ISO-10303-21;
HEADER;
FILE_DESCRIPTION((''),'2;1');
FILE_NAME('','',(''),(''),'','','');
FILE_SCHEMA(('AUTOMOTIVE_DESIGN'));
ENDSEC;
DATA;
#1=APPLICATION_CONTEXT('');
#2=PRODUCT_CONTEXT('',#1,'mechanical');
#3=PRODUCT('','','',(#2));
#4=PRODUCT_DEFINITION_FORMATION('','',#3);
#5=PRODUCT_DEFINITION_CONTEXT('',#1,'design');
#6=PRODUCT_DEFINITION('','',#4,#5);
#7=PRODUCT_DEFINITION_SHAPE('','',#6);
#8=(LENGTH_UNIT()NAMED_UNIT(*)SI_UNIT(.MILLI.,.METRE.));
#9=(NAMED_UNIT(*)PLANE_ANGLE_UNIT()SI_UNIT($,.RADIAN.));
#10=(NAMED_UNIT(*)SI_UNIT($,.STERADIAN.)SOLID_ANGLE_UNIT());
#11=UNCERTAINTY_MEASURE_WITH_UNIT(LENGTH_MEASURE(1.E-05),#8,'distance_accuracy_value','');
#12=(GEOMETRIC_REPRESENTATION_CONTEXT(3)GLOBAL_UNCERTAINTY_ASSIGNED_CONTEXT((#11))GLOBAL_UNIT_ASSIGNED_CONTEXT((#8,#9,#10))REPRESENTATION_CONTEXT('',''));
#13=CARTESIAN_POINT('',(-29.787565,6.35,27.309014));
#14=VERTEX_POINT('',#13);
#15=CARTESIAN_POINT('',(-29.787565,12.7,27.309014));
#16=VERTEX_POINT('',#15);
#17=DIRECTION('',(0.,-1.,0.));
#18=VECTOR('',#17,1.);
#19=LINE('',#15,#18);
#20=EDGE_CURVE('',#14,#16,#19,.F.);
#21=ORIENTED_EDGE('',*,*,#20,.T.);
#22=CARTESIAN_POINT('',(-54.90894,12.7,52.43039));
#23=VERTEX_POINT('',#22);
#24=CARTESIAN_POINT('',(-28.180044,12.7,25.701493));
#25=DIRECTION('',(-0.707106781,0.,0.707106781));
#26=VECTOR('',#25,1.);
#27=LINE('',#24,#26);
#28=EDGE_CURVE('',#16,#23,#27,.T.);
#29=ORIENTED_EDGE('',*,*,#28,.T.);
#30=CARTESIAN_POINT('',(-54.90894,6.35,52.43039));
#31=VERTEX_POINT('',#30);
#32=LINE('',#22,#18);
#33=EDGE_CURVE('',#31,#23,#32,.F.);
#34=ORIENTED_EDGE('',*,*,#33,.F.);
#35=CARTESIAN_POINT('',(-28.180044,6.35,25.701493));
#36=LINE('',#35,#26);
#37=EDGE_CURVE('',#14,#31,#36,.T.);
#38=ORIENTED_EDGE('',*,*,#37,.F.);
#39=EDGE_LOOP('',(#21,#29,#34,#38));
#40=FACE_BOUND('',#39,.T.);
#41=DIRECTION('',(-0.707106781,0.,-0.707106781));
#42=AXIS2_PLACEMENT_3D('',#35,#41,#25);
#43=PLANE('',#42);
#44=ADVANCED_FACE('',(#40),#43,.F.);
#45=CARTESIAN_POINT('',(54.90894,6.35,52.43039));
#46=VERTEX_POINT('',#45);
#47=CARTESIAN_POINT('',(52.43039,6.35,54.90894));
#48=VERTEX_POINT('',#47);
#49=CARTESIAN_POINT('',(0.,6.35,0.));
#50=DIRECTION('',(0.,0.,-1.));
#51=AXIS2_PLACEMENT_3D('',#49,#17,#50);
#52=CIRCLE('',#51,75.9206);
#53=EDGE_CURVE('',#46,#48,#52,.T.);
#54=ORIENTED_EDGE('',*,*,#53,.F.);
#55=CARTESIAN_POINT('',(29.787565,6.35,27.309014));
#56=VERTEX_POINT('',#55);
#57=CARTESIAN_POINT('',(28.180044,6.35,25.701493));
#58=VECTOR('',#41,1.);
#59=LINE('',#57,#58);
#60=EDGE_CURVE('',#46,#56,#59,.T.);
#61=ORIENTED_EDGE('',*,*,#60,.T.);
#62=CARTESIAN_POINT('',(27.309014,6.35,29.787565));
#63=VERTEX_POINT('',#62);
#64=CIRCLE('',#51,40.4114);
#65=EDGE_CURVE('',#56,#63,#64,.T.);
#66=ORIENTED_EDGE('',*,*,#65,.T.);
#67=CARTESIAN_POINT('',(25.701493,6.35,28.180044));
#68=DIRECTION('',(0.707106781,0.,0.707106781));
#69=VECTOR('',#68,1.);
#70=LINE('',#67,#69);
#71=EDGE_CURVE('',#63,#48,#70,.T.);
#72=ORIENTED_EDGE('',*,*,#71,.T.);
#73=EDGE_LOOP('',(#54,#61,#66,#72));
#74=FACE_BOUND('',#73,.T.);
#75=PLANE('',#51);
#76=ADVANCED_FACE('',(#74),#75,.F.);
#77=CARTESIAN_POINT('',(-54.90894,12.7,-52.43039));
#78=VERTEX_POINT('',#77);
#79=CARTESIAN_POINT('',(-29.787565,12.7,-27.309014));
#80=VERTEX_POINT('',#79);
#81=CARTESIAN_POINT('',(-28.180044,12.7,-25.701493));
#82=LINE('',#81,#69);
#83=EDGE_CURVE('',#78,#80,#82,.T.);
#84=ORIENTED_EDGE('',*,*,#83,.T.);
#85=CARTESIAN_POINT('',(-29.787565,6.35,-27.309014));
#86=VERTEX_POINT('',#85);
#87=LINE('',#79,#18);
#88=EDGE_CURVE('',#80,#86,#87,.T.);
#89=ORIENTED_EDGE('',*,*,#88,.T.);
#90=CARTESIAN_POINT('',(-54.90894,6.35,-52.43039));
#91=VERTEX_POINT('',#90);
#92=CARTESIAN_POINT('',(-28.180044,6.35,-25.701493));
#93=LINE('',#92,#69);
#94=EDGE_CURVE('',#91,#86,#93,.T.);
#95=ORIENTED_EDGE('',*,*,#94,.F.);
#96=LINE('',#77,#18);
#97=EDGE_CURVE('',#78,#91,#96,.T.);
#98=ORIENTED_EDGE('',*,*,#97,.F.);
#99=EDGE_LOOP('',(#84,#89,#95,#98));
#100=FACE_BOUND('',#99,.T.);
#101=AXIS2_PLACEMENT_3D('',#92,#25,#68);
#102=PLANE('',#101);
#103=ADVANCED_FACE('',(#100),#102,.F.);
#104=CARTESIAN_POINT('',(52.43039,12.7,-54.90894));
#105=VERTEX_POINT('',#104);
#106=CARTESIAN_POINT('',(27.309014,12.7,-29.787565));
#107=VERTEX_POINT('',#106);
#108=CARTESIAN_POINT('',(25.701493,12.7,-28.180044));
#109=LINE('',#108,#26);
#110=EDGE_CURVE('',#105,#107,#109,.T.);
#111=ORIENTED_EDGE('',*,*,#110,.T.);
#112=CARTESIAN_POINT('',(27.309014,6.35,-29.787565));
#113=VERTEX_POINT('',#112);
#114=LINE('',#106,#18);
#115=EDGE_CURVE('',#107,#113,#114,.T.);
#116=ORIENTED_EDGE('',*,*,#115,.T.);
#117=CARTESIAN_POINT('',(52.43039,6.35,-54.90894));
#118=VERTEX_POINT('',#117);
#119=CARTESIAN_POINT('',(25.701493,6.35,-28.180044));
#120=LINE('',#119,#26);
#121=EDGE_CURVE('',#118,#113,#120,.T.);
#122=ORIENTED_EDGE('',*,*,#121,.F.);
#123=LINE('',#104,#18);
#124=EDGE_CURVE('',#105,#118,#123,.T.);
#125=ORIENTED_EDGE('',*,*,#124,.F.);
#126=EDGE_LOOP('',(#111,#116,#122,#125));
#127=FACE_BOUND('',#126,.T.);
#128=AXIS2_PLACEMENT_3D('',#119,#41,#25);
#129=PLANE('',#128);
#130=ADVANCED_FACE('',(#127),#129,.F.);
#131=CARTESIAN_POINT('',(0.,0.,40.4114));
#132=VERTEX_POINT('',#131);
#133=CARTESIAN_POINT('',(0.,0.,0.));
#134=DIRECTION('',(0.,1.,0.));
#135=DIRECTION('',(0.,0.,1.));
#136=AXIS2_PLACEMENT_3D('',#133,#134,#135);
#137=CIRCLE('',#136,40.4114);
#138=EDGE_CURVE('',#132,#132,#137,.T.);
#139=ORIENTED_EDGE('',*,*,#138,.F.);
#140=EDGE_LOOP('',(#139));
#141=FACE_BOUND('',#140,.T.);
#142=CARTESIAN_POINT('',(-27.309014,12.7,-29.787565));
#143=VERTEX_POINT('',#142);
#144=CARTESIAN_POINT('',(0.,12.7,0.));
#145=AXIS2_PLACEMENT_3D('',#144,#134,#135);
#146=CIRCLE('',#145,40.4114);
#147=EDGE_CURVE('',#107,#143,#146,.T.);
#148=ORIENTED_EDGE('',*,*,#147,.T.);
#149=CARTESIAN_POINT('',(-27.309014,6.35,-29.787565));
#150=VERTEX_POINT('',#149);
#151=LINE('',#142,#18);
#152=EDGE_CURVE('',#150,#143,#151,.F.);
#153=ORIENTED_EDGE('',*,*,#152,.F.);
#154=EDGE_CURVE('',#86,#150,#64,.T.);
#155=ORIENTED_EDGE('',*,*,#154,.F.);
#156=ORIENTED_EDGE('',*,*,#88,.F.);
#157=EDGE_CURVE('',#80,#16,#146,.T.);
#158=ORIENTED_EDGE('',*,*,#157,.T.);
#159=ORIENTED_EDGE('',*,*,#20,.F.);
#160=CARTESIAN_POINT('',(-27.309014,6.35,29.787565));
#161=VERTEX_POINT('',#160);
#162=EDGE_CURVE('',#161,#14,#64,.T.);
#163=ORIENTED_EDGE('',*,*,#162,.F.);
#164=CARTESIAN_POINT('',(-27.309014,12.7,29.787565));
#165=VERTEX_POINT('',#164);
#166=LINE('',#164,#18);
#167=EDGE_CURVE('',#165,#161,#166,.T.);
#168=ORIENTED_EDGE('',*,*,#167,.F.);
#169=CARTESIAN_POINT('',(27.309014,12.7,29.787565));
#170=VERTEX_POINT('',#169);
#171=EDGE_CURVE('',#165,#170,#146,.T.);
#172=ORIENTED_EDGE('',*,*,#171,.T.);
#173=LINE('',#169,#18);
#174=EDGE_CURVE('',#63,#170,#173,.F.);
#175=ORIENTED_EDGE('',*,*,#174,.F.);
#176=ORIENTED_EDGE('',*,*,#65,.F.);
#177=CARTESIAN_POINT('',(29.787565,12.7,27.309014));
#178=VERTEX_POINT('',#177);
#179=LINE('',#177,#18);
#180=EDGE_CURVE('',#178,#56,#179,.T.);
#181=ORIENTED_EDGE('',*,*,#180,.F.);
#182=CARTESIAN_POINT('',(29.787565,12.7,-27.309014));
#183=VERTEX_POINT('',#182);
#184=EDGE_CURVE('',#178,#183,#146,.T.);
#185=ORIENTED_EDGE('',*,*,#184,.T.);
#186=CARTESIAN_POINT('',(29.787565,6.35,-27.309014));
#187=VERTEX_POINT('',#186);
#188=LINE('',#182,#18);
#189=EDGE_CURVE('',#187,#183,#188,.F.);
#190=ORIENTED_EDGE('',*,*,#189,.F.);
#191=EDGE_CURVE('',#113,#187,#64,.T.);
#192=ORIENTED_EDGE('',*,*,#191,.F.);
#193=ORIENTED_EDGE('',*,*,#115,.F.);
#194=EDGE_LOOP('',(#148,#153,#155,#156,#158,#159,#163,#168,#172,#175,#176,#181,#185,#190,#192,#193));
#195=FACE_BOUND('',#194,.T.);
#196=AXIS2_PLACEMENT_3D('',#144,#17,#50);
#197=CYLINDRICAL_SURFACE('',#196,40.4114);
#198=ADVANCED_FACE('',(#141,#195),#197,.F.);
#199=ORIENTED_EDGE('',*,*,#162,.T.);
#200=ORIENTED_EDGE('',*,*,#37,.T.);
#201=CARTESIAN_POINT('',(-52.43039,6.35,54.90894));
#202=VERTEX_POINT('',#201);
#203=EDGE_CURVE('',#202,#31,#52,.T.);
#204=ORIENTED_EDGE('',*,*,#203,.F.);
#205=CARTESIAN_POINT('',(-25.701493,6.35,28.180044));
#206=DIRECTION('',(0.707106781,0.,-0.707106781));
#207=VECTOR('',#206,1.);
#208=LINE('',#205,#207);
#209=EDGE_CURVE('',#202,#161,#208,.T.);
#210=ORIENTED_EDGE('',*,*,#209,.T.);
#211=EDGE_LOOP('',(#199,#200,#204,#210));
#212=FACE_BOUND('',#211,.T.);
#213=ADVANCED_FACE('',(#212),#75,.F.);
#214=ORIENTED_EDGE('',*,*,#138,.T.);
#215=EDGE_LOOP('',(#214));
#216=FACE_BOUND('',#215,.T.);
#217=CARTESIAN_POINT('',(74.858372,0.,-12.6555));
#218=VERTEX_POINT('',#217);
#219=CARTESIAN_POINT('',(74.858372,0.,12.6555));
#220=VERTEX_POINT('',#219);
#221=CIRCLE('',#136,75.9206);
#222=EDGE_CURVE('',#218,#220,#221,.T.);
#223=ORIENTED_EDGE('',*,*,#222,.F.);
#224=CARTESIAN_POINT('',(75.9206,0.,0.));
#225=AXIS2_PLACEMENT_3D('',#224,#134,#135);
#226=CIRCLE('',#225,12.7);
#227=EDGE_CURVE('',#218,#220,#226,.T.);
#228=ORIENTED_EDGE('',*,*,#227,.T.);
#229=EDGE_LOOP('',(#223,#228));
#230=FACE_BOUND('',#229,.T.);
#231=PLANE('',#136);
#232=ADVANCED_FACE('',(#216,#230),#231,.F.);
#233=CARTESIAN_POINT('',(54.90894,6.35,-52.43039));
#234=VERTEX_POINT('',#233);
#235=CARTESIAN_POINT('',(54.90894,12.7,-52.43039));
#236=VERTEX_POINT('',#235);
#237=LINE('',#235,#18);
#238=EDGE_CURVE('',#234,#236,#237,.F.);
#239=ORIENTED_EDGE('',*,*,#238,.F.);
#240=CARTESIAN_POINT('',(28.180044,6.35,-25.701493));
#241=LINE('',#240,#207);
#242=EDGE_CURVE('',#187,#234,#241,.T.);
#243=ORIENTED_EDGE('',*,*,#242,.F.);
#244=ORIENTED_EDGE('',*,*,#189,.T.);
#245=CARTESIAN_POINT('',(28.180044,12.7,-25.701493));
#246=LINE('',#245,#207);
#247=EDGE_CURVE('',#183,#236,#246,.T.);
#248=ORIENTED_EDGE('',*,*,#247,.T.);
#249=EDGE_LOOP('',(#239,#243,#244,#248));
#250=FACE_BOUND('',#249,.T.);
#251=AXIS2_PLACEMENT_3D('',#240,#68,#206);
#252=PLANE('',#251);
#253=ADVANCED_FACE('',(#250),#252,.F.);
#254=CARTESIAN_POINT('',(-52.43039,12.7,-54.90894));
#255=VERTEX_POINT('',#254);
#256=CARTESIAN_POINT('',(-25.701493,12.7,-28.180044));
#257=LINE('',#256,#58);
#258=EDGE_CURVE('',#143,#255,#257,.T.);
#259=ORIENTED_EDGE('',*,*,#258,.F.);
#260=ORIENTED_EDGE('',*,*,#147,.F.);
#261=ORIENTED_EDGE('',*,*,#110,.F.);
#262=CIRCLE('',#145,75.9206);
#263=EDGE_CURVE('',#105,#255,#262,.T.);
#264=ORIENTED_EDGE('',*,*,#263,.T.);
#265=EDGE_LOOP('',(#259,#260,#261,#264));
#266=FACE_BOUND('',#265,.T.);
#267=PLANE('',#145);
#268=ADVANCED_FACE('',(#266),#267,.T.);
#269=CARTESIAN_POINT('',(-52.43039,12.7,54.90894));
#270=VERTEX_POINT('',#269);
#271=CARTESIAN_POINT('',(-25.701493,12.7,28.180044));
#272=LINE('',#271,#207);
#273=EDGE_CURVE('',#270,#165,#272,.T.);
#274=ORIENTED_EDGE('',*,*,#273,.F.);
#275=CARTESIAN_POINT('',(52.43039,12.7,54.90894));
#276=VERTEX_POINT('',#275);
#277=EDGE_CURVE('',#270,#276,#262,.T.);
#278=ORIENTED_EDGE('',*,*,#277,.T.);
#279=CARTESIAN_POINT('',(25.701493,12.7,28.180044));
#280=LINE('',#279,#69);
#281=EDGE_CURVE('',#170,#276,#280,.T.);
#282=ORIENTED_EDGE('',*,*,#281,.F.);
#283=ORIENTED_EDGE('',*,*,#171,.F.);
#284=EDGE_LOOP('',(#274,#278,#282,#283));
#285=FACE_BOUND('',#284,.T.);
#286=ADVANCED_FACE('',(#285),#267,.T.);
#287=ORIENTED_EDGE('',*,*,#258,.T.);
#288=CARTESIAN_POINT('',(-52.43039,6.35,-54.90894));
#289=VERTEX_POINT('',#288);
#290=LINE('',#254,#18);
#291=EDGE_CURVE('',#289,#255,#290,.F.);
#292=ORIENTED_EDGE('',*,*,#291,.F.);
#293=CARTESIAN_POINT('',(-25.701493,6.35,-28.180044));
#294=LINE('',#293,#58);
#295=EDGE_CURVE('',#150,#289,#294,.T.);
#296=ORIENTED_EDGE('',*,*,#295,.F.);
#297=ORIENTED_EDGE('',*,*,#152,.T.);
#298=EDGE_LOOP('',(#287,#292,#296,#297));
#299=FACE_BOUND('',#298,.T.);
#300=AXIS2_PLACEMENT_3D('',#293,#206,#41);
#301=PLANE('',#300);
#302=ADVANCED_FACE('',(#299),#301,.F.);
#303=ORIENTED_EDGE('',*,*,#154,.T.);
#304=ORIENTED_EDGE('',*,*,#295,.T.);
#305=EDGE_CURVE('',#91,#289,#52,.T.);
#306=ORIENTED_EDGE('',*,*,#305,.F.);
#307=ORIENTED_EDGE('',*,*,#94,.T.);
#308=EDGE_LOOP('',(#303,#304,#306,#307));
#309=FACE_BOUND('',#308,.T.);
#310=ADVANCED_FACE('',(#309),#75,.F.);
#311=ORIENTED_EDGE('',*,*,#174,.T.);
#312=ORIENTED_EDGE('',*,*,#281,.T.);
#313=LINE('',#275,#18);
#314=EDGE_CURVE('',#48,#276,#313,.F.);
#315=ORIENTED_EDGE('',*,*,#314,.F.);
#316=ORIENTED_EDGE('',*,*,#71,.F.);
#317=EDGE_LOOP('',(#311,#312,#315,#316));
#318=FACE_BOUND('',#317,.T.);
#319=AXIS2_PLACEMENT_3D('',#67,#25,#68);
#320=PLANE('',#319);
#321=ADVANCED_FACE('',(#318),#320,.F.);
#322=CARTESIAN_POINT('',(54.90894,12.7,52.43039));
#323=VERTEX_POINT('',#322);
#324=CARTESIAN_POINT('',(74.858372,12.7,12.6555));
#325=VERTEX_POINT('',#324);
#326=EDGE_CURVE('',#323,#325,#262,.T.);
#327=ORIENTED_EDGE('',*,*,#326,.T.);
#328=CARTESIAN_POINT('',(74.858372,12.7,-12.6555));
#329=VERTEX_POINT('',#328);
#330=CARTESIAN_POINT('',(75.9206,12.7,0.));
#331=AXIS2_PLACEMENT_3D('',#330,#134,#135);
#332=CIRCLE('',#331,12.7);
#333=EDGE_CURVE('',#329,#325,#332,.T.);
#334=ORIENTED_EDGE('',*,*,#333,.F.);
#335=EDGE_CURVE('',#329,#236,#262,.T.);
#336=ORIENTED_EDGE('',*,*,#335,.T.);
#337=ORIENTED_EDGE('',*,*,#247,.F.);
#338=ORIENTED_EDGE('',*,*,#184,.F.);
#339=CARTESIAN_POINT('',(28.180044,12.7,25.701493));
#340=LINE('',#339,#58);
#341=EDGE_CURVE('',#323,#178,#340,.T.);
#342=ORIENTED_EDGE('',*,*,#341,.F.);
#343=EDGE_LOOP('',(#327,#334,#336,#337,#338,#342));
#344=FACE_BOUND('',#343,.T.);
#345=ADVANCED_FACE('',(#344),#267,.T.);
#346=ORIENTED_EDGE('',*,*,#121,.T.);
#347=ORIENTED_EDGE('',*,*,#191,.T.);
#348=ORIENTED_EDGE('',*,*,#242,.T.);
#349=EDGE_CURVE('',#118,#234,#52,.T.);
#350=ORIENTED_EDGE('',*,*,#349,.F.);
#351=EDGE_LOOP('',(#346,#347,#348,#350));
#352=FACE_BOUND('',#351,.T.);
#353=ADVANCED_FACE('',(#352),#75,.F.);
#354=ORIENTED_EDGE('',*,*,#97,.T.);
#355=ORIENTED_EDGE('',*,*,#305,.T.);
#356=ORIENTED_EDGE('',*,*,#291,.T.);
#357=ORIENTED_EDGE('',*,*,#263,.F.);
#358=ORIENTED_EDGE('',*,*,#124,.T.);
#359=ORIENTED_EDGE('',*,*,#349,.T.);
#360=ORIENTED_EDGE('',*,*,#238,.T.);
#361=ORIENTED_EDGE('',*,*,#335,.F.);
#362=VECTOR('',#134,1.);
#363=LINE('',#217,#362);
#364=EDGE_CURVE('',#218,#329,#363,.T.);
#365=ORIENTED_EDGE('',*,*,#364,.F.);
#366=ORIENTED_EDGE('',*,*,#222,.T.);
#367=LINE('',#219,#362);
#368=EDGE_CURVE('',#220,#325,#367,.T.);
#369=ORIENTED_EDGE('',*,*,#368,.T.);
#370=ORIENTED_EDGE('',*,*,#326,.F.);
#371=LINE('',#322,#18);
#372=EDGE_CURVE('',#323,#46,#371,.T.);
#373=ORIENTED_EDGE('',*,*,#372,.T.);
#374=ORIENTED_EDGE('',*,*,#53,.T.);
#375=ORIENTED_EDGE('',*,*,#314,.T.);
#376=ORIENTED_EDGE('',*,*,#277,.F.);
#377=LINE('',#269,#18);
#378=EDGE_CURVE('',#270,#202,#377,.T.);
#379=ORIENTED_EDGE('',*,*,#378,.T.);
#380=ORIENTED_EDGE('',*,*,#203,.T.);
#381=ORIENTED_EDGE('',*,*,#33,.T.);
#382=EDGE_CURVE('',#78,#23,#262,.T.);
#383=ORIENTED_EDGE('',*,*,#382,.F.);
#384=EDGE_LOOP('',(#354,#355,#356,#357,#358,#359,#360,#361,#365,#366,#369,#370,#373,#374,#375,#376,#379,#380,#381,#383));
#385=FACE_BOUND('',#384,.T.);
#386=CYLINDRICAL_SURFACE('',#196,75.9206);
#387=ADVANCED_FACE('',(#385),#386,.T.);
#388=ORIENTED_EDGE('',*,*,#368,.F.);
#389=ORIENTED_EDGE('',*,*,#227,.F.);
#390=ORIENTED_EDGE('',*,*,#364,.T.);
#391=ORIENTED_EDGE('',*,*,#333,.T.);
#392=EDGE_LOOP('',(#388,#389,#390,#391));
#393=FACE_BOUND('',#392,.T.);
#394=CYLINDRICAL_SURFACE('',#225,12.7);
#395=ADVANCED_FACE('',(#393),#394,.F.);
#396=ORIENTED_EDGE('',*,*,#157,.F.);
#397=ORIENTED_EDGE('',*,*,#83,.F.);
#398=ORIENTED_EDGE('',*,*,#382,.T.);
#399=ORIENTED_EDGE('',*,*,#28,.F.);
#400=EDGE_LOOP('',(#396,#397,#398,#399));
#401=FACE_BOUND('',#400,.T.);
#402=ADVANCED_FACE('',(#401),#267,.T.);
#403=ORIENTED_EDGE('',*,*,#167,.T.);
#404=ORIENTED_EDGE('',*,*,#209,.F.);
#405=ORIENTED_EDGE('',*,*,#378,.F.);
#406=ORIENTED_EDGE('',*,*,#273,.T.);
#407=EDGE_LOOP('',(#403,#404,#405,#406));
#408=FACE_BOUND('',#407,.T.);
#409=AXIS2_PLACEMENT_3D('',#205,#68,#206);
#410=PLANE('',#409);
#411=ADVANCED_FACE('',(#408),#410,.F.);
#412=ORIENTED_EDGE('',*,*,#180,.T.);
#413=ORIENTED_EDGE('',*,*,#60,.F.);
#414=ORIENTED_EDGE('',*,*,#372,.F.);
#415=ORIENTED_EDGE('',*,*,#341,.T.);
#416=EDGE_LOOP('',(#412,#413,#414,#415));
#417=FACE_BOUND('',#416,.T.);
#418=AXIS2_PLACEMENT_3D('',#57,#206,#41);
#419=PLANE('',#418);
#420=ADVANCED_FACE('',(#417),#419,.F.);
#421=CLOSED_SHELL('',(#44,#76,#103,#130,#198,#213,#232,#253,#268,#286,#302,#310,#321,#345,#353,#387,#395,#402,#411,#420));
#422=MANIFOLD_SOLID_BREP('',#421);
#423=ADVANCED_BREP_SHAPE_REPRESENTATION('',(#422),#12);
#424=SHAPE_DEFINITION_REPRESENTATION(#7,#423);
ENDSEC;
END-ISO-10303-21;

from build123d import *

# Parameters (mm, degrees)
SKETCH1_R           = 75.9206
BOSS_EXTRUDE1_DEPTH = 12.7
SKETCH1_10_R        = 40.4114
CUT_EXTRUDE2_DEPTH  = 13.7
SKETCH2_R           = 12.7
CUT_EXTRUDE3_DEPTH  = 13.7
CUT_EXTRUDE5_DEPTH  = 6.35


with BuildPart() as part:
    # Sketch1 → Boss-Extrude1 (new body)
    with BuildSketch(Plane(origin=(0, 0, 0), x_dir=(1, 0, 0), z_dir=(0, 1, 0))):
        Circle(SKETCH1_R)
    extrude(amount=BOSS_EXTRUDE1_DEPTH)

    # Sketch1<10> → Cut-Extrude2 (cut, through all)
    with BuildSketch(Plane(origin=(0, 0, 0), x_dir=(1, 0, 0), z_dir=(0, 1, 0))):
        Circle(SKETCH1_10_R)
    extrude(amount=CUT_EXTRUDE2_DEPTH, mode=Mode.SUBTRACT)

    # Sketch2 → Cut-Extrude3 (cut, through all)
    with BuildSketch(Plane(origin=(0, 12.7, 0), x_dir=(1, 0, 0), z_dir=(0, 1, 0))):
        with Locations((75.9206, 0)):
            Circle(SKETCH2_R)
    extrude(amount=-CUT_EXTRUDE3_DEPTH, mode=Mode.SUBTRACT)

    # Sketch3 → Cut-Extrude5 (cut)
    with BuildSketch(Plane(origin=(0, 12.7, 0), x_dir=(1, 0, 0), z_dir=(0, 1, 0))):
        Polygon((-28.180043708, 25.701493018), (-25.701493019, 28.180043708), (-60.52670499, 63.00525568), (-63.00525568, 60.52670499), align=None)
        Polygon((28.180043708, 25.701493019), (63.00525568, 60.52670499), (60.52670499, 63.00525568), (25.701493019, 28.180043708), align=None)
        Polygon((25.701493019, -28.180043708), (60.52670499, -63.00525568), (63.00525568, -60.52670499), (28.180043708, -25.701493018), align=None)
        Polygon((-28.180043708, -25.701493019), (-63.00525568, -60.52670499), (-60.52670499, -63.00525568), (-25.701493018, -28.180043708), align=None)
    extrude(amount=-CUT_EXTRUDE5_DEPTH, mode=Mode.SUBTRACT)


solid = part.part
